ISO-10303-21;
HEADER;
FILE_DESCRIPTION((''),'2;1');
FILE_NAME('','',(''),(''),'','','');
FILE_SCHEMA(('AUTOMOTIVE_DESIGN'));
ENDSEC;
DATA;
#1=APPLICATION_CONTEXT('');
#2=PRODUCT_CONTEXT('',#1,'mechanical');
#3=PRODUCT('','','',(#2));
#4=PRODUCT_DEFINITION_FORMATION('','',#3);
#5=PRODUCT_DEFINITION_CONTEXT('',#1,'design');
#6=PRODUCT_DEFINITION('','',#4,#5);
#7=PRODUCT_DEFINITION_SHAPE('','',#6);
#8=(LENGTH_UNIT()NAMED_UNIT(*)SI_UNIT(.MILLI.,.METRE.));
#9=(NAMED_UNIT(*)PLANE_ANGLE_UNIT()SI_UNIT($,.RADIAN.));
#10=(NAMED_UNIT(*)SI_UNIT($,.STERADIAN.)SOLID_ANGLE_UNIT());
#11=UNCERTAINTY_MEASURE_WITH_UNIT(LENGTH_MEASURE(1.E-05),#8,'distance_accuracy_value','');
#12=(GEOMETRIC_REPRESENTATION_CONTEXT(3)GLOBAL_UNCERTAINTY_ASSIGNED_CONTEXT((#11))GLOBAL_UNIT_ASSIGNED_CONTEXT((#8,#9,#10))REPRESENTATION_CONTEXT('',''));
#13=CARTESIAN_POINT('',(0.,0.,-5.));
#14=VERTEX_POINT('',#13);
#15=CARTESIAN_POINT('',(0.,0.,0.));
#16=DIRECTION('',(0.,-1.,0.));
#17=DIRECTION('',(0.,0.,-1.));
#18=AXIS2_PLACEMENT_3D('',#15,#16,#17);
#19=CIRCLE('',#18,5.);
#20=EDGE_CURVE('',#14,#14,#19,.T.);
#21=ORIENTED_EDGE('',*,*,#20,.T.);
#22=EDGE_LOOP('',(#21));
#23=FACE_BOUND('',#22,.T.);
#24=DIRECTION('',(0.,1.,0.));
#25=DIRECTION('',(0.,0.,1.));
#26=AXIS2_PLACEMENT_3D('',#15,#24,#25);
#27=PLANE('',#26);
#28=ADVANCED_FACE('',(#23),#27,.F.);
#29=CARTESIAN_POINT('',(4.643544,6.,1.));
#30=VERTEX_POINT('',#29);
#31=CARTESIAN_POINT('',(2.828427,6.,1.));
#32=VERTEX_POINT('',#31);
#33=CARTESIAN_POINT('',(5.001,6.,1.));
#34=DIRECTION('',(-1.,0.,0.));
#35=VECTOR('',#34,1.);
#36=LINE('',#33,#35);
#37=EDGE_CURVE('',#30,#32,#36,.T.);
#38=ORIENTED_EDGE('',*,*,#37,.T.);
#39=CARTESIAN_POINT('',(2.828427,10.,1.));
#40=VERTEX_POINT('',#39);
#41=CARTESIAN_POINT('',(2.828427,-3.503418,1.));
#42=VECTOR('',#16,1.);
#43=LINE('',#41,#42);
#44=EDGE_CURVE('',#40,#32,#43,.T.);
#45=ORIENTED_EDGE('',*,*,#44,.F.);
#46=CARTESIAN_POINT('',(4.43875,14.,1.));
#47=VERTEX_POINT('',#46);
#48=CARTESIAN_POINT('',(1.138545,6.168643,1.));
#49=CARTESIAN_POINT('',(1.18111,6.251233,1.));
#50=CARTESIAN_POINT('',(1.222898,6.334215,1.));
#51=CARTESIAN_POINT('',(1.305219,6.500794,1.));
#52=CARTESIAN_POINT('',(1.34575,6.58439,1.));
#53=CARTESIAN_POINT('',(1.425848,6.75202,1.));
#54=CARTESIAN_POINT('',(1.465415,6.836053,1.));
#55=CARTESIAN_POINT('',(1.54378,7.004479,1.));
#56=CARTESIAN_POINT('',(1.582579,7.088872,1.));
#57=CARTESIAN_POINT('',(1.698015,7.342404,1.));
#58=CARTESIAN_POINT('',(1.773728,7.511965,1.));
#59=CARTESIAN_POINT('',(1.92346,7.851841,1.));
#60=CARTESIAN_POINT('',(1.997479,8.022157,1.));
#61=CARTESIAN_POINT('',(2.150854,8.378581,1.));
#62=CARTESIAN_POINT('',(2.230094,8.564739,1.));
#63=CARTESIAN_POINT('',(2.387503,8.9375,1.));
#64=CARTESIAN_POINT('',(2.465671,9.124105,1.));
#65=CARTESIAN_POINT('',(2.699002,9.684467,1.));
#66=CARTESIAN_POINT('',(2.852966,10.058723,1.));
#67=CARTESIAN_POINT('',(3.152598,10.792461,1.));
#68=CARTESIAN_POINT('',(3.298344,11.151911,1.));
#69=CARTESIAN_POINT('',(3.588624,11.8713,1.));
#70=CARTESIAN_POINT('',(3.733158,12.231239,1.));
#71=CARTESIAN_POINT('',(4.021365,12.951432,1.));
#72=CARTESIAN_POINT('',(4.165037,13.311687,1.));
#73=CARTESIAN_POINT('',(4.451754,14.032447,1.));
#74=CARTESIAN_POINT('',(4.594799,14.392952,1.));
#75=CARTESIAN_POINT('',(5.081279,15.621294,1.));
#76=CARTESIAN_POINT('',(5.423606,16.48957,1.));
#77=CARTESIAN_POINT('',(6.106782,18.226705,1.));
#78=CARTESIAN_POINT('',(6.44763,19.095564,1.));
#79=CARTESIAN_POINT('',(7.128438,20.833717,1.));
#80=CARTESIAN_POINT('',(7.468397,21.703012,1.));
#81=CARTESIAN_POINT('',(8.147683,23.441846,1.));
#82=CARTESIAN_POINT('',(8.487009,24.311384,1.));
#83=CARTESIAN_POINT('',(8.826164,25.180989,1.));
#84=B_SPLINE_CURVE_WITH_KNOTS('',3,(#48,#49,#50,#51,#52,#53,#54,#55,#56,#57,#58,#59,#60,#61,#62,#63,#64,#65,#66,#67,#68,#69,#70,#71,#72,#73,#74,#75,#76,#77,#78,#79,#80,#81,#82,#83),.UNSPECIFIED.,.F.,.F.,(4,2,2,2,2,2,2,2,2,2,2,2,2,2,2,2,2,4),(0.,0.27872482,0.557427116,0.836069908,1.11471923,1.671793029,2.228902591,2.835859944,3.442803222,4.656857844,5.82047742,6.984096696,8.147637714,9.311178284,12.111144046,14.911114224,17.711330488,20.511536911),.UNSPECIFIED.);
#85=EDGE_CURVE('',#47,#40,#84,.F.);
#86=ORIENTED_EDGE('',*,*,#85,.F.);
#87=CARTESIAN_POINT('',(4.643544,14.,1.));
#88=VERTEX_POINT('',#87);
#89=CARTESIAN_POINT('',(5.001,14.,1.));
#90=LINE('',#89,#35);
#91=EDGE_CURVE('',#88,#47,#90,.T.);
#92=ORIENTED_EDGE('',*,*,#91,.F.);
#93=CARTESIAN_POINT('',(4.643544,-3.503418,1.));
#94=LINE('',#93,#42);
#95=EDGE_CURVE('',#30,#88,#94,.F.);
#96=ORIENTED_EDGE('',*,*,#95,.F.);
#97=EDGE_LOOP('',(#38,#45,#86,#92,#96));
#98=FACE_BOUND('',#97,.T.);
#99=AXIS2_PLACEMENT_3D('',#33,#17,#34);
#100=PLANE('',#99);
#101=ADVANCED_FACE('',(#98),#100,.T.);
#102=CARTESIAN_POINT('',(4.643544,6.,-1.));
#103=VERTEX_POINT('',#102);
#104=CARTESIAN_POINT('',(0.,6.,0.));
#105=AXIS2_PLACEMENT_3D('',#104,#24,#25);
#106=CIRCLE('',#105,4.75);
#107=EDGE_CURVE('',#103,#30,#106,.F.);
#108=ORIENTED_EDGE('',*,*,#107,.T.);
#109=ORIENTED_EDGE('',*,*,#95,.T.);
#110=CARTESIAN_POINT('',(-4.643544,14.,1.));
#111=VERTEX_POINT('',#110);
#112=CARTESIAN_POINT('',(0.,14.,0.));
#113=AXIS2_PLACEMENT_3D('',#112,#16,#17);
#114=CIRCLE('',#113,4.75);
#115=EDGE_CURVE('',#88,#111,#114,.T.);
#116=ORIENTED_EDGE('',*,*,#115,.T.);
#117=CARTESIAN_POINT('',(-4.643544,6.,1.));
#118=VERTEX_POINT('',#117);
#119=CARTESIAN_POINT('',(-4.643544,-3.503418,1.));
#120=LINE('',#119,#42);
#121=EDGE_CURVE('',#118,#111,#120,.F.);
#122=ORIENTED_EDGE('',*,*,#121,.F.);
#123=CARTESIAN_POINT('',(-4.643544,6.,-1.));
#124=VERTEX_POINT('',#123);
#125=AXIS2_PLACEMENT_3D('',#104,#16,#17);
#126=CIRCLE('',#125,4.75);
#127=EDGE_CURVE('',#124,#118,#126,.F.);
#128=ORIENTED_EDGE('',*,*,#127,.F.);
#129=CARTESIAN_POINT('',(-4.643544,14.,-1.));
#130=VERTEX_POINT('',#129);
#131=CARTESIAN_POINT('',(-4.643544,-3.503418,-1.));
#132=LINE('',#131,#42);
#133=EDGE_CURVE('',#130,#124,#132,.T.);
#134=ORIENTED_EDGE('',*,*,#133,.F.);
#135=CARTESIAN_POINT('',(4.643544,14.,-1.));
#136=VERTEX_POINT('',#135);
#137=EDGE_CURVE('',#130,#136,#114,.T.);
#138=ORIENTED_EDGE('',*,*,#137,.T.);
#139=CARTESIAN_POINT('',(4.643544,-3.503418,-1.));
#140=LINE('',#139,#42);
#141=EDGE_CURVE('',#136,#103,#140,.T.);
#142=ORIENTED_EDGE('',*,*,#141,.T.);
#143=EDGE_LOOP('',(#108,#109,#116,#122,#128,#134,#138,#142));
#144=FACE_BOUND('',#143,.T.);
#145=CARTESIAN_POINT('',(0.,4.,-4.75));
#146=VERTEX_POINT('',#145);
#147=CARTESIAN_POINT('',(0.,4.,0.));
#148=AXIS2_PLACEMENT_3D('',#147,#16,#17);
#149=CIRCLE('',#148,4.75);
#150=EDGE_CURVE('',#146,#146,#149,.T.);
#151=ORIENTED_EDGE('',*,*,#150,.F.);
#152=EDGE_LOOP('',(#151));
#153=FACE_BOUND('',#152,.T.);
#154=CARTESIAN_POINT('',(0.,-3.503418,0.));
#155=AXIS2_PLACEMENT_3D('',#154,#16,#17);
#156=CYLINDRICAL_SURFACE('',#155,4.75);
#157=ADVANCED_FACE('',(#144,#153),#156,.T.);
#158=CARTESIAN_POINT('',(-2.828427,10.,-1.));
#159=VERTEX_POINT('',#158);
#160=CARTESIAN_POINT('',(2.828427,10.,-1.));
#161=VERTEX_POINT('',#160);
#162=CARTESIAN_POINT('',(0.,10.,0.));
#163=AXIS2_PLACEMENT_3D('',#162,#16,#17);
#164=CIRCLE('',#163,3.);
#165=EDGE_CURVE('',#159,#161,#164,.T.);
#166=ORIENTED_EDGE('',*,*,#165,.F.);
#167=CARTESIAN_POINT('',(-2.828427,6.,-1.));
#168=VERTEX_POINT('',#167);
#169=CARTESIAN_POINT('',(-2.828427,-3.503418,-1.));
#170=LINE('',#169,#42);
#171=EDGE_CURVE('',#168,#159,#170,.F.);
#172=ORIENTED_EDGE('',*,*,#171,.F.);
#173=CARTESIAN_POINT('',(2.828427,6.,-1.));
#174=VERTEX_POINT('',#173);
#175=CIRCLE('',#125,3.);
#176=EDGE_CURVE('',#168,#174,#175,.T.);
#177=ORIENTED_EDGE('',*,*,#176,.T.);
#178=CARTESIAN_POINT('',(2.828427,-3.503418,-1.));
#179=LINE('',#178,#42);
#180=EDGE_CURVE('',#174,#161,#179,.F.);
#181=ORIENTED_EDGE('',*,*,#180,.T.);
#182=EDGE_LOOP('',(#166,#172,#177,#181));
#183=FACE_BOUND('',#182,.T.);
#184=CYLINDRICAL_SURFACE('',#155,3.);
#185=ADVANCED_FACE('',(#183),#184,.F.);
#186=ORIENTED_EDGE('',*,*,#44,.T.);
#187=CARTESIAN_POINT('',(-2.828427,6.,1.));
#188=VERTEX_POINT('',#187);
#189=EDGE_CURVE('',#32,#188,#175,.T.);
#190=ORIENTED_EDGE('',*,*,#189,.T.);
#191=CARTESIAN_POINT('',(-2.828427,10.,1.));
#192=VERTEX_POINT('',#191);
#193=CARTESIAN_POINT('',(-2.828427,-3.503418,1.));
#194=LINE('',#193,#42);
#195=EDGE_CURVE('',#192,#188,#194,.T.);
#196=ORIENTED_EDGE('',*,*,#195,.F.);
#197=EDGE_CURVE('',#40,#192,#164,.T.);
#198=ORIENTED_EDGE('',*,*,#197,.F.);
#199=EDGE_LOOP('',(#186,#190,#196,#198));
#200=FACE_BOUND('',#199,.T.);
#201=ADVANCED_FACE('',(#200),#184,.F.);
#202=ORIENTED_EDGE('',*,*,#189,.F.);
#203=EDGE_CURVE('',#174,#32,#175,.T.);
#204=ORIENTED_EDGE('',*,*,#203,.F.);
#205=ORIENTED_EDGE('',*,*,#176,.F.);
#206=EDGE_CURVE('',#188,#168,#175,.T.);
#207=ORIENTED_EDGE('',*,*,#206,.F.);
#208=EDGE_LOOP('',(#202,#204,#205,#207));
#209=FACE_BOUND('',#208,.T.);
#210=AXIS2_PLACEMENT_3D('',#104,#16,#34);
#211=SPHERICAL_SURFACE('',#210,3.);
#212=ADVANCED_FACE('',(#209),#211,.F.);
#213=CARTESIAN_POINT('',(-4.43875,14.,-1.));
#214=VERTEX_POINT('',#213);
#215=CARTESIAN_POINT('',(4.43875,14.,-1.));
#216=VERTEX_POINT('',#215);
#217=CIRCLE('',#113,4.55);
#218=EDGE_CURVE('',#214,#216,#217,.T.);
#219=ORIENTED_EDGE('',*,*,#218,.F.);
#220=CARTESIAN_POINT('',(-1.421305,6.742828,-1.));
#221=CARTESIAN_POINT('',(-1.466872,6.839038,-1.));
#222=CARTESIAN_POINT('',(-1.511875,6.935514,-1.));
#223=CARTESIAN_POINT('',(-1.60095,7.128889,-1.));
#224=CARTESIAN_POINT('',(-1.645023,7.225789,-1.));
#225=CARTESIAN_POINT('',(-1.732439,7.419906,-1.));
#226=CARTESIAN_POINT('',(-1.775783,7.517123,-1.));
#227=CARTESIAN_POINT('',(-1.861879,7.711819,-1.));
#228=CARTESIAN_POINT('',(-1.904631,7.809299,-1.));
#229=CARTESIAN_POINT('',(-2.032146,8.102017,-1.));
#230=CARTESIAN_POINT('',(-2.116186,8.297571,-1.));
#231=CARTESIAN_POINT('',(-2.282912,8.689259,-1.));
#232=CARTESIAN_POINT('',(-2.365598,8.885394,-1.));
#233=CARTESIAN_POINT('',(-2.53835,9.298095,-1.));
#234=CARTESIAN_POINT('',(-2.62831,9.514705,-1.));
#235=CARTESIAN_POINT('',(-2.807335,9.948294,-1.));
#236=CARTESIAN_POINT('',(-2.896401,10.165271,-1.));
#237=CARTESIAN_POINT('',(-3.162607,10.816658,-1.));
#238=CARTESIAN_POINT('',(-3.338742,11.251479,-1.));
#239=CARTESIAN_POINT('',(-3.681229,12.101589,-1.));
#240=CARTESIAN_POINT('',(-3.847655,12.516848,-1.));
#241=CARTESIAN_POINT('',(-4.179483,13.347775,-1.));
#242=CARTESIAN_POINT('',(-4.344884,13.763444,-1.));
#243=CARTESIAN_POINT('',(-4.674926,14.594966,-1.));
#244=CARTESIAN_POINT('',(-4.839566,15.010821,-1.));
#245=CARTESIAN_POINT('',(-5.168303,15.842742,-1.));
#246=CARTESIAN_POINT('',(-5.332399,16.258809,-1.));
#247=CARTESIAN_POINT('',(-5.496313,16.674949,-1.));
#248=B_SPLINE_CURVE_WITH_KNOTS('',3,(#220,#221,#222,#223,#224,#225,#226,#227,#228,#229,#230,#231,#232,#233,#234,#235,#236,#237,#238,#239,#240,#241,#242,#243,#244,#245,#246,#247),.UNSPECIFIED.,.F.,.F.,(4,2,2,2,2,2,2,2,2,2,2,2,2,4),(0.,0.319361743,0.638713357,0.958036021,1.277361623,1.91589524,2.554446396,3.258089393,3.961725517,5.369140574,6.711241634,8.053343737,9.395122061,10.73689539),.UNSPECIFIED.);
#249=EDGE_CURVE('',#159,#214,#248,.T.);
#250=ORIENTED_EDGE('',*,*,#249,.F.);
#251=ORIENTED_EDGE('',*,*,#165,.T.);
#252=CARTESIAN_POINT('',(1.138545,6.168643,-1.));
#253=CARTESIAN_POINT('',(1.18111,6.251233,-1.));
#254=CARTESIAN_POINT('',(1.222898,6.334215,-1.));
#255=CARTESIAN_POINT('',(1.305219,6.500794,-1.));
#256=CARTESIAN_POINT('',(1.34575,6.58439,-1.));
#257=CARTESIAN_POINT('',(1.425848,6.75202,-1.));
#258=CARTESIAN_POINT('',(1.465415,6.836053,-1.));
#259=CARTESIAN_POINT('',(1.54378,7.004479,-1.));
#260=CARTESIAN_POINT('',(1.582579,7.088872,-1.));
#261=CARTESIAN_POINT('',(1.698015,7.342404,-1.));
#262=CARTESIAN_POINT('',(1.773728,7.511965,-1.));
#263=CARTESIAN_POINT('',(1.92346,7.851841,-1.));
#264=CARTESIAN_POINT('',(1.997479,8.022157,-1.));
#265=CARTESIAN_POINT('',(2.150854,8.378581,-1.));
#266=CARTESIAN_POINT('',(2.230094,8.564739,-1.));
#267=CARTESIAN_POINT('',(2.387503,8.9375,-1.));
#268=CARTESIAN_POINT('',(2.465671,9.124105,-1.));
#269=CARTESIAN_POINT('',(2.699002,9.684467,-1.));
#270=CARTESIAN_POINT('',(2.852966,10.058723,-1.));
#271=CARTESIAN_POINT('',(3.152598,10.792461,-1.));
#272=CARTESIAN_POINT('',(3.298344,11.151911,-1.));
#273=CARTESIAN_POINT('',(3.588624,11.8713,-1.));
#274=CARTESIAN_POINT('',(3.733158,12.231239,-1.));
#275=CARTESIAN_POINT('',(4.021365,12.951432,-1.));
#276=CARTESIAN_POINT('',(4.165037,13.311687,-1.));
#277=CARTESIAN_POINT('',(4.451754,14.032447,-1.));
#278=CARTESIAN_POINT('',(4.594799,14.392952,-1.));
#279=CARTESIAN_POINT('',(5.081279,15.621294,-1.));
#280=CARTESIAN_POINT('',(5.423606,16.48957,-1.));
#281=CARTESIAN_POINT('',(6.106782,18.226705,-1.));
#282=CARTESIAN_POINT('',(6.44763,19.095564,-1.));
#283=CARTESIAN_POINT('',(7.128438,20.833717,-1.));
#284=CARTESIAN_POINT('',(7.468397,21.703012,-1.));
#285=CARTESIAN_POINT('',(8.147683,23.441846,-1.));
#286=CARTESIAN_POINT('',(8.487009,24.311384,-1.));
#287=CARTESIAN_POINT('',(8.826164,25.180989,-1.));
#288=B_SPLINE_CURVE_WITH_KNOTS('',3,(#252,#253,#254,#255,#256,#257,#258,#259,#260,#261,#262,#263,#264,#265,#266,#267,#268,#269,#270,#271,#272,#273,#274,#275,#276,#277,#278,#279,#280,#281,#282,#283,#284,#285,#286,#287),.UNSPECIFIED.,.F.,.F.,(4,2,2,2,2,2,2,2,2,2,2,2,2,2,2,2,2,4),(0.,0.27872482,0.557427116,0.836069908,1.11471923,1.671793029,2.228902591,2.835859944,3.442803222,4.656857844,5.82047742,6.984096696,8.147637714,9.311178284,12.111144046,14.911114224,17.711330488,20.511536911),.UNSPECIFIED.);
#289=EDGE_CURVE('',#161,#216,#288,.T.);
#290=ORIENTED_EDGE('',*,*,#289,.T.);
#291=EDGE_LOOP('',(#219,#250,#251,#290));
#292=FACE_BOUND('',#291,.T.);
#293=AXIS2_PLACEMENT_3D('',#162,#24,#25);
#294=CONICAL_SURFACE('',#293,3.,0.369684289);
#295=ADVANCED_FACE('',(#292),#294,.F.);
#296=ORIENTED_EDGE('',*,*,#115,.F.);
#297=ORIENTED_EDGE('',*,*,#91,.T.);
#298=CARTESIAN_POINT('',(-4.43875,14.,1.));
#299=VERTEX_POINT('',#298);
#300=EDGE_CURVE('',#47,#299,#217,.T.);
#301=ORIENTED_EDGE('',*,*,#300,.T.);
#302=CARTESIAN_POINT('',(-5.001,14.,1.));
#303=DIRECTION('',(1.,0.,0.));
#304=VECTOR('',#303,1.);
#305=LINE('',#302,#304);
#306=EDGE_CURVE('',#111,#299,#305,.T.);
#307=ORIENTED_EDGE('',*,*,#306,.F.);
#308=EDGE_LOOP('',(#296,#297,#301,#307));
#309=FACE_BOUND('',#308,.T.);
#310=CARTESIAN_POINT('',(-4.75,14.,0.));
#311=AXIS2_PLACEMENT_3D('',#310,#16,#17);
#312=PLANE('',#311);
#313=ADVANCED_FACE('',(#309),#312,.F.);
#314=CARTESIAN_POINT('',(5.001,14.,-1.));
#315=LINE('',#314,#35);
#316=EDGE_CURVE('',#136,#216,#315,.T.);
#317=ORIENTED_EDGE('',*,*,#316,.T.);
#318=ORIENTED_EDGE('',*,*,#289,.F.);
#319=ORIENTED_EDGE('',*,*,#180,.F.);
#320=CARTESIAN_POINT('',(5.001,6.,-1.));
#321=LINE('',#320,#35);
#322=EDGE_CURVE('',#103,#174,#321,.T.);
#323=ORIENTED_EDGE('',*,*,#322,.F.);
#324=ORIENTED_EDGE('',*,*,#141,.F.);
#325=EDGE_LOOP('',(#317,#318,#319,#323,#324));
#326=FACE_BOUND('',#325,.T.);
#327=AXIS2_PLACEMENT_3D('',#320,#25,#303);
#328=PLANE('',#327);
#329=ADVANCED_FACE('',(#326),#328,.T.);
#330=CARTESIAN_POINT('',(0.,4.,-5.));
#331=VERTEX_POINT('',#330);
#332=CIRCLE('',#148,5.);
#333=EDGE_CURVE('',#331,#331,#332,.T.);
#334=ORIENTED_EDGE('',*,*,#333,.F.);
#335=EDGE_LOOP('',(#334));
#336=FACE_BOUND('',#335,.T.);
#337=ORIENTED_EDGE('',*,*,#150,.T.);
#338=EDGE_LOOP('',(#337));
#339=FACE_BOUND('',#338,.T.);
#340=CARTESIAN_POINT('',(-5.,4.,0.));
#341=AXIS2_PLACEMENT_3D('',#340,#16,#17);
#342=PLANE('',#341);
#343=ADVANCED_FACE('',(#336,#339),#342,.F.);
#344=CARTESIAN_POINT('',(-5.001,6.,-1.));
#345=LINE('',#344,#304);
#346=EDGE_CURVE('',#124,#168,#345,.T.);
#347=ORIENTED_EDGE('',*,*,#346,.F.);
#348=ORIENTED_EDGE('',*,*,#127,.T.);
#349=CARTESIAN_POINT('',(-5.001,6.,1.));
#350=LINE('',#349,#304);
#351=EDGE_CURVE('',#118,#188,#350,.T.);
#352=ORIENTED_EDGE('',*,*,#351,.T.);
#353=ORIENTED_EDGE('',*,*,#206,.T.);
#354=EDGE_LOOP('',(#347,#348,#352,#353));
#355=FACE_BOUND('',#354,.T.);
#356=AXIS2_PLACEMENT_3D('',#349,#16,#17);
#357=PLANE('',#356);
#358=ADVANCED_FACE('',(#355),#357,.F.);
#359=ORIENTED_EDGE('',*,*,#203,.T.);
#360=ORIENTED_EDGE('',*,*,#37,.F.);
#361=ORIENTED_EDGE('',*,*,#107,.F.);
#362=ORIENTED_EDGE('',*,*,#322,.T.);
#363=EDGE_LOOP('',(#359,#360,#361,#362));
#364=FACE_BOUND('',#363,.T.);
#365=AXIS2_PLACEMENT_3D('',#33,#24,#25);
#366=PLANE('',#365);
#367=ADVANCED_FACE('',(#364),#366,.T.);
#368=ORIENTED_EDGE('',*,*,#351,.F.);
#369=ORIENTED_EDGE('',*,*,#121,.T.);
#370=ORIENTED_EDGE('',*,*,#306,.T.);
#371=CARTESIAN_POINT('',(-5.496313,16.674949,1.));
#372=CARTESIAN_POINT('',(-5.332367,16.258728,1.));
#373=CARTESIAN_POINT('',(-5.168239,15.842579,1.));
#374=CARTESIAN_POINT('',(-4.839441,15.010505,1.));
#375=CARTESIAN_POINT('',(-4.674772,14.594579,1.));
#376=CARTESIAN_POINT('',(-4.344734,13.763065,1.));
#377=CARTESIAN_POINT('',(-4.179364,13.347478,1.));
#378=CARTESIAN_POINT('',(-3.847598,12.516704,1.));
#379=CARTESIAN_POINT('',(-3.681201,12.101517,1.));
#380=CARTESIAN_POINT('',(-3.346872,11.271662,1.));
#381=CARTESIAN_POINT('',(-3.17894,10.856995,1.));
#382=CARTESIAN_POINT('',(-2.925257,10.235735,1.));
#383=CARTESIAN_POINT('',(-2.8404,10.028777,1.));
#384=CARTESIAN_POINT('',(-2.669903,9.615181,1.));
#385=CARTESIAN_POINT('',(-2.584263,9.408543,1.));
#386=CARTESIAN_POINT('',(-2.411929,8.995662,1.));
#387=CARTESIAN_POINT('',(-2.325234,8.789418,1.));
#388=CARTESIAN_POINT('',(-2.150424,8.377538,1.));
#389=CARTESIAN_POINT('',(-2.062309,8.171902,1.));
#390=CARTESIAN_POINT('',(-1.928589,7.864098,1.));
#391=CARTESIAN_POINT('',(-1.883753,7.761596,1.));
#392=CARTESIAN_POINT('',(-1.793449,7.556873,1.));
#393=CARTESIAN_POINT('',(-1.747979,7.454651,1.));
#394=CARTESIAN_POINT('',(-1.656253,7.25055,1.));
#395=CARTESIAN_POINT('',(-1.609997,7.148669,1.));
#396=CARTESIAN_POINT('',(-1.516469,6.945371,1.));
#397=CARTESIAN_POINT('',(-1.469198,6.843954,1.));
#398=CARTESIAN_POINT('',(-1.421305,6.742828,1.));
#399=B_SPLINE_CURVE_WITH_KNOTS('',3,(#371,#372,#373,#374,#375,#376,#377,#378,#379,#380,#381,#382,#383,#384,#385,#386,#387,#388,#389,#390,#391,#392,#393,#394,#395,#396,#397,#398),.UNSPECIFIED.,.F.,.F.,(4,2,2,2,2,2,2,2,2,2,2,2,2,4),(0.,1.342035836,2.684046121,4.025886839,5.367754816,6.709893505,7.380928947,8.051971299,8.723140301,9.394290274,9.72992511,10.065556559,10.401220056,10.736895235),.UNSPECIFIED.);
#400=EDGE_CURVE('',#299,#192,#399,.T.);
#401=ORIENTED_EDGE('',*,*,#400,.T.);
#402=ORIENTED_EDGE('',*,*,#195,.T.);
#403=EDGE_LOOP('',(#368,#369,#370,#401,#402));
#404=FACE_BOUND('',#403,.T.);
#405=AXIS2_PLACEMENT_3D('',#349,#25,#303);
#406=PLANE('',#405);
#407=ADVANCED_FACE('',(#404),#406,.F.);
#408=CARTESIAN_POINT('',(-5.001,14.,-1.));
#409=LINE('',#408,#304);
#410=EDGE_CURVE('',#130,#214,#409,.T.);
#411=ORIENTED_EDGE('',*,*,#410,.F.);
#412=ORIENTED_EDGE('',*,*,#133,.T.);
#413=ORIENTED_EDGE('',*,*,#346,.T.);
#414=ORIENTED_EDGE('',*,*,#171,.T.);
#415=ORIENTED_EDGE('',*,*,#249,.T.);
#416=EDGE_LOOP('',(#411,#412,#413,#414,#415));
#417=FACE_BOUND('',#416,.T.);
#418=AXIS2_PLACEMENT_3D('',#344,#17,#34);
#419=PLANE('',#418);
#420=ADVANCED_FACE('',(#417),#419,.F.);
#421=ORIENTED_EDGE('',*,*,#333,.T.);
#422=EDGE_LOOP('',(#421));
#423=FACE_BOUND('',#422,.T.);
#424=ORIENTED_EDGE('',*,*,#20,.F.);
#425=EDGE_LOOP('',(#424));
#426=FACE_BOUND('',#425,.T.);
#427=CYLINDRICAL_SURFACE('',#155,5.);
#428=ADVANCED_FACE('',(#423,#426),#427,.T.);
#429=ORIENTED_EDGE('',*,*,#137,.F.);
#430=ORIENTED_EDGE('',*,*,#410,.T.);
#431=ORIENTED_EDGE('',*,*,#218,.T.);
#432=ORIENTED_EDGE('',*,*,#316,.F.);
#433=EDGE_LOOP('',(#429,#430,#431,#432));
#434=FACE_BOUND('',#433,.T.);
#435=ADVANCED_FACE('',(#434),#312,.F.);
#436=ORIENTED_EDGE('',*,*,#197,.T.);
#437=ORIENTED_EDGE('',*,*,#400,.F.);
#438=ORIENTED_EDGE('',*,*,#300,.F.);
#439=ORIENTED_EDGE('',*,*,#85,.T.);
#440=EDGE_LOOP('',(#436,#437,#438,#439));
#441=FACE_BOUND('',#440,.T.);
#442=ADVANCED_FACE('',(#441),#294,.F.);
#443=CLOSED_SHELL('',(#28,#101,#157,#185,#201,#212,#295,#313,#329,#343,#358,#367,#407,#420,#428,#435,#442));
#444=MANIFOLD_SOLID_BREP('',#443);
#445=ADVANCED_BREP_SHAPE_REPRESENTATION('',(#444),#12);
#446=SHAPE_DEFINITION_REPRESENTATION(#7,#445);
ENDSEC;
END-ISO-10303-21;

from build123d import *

# Parameters (mm, degrees)
ENL_V_MAT_EXTRU_1_REACH             = 17.684
ESQUISSE2_W                         = 2
ESQUISSE2_H                         = 8
ENL_V_MAT_EXTRU_1_DIRECTION_2_REACH = 17.684


with BuildPart() as part:
    # Esquisse1 → Révolution1 (revolve)
    with BuildSketch(Plane.XY, mode=Mode.PRIVATE) as r_volution1_sk:
        with BuildLine():
            Line((0, 0), (-5, 0))
            Line((-5, 0), (-5, 4))
            Line((-5, 4), (-4.75, 4))
            Line((-4.75, 4), (-4.75, 14))
            Line((-4.75, 14), (-4.55, 14))
            Line((-4.55, 14), (-3, 10))
            Line((-3, 10), (-3, 6))
            ThreePointArc((-3, 6), (-2.121320344, 3.878679656), (0, 3))
            Line((0, 3), (0, 0))
        make_face()
    revolve(r_volution1_sk.sketch.rotate(Axis((0, -3.503417728, 0), (0, 1, 0)), 270), axis=Axis((0, -3.503417728, 0), (0, 1, 0)))

    # Esquisse2 → Enlèv. mat.-Extru.1 (cut, up to next)
    with BuildSketch(Plane(origin=(0, 0, 0), x_dir=(0, 0, -1), z_dir=(1, 0, 0)), mode=Mode.PRIVATE) as enl_v_mat_extru_1_sk1:
        with Locations((0, 10)):
            Rectangle(ESQUISSE2_W, ESQUISSE2_H)
    enl_v_mat_extru_1_tool1 = extrude(enl_v_mat_extru_1_sk1.sketch, amount=-ENL_V_MAT_EXTRU_1_REACH, mode=Mode.PRIVATE) & part.part
    add(enl_v_mat_extru_1_tool1.solids().sort_by_distance((0, 10, 0))[0], mode=Mode.SUBTRACT)

    # Esquisse2 → Enlèv. mat.-Extru.1 direction 2 (cut, up to next)
    with BuildSketch(Plane(origin=(0, 0, 0), x_dir=(0, 0, -1), z_dir=(1, 0, 0)), mode=Mode.PRIVATE) as enl_v_mat_extru_1_direction_2_sk1:
        with Locations((0, 10)):
            Rectangle(ESQUISSE2_W, ESQUISSE2_H)
    enl_v_mat_extru_1_direction_2_tool1 = extrude(enl_v_mat_extru_1_direction_2_sk1.sketch, amount=ENL_V_MAT_EXTRU_1_DIRECTION_2_REACH, mode=Mode.PRIVATE) & part.part
    add(enl_v_mat_extru_1_direction_2_tool1.solids().sort_by_distance((0, 10, 0))[0], mode=Mode.SUBTRACT)


solid = part.part
